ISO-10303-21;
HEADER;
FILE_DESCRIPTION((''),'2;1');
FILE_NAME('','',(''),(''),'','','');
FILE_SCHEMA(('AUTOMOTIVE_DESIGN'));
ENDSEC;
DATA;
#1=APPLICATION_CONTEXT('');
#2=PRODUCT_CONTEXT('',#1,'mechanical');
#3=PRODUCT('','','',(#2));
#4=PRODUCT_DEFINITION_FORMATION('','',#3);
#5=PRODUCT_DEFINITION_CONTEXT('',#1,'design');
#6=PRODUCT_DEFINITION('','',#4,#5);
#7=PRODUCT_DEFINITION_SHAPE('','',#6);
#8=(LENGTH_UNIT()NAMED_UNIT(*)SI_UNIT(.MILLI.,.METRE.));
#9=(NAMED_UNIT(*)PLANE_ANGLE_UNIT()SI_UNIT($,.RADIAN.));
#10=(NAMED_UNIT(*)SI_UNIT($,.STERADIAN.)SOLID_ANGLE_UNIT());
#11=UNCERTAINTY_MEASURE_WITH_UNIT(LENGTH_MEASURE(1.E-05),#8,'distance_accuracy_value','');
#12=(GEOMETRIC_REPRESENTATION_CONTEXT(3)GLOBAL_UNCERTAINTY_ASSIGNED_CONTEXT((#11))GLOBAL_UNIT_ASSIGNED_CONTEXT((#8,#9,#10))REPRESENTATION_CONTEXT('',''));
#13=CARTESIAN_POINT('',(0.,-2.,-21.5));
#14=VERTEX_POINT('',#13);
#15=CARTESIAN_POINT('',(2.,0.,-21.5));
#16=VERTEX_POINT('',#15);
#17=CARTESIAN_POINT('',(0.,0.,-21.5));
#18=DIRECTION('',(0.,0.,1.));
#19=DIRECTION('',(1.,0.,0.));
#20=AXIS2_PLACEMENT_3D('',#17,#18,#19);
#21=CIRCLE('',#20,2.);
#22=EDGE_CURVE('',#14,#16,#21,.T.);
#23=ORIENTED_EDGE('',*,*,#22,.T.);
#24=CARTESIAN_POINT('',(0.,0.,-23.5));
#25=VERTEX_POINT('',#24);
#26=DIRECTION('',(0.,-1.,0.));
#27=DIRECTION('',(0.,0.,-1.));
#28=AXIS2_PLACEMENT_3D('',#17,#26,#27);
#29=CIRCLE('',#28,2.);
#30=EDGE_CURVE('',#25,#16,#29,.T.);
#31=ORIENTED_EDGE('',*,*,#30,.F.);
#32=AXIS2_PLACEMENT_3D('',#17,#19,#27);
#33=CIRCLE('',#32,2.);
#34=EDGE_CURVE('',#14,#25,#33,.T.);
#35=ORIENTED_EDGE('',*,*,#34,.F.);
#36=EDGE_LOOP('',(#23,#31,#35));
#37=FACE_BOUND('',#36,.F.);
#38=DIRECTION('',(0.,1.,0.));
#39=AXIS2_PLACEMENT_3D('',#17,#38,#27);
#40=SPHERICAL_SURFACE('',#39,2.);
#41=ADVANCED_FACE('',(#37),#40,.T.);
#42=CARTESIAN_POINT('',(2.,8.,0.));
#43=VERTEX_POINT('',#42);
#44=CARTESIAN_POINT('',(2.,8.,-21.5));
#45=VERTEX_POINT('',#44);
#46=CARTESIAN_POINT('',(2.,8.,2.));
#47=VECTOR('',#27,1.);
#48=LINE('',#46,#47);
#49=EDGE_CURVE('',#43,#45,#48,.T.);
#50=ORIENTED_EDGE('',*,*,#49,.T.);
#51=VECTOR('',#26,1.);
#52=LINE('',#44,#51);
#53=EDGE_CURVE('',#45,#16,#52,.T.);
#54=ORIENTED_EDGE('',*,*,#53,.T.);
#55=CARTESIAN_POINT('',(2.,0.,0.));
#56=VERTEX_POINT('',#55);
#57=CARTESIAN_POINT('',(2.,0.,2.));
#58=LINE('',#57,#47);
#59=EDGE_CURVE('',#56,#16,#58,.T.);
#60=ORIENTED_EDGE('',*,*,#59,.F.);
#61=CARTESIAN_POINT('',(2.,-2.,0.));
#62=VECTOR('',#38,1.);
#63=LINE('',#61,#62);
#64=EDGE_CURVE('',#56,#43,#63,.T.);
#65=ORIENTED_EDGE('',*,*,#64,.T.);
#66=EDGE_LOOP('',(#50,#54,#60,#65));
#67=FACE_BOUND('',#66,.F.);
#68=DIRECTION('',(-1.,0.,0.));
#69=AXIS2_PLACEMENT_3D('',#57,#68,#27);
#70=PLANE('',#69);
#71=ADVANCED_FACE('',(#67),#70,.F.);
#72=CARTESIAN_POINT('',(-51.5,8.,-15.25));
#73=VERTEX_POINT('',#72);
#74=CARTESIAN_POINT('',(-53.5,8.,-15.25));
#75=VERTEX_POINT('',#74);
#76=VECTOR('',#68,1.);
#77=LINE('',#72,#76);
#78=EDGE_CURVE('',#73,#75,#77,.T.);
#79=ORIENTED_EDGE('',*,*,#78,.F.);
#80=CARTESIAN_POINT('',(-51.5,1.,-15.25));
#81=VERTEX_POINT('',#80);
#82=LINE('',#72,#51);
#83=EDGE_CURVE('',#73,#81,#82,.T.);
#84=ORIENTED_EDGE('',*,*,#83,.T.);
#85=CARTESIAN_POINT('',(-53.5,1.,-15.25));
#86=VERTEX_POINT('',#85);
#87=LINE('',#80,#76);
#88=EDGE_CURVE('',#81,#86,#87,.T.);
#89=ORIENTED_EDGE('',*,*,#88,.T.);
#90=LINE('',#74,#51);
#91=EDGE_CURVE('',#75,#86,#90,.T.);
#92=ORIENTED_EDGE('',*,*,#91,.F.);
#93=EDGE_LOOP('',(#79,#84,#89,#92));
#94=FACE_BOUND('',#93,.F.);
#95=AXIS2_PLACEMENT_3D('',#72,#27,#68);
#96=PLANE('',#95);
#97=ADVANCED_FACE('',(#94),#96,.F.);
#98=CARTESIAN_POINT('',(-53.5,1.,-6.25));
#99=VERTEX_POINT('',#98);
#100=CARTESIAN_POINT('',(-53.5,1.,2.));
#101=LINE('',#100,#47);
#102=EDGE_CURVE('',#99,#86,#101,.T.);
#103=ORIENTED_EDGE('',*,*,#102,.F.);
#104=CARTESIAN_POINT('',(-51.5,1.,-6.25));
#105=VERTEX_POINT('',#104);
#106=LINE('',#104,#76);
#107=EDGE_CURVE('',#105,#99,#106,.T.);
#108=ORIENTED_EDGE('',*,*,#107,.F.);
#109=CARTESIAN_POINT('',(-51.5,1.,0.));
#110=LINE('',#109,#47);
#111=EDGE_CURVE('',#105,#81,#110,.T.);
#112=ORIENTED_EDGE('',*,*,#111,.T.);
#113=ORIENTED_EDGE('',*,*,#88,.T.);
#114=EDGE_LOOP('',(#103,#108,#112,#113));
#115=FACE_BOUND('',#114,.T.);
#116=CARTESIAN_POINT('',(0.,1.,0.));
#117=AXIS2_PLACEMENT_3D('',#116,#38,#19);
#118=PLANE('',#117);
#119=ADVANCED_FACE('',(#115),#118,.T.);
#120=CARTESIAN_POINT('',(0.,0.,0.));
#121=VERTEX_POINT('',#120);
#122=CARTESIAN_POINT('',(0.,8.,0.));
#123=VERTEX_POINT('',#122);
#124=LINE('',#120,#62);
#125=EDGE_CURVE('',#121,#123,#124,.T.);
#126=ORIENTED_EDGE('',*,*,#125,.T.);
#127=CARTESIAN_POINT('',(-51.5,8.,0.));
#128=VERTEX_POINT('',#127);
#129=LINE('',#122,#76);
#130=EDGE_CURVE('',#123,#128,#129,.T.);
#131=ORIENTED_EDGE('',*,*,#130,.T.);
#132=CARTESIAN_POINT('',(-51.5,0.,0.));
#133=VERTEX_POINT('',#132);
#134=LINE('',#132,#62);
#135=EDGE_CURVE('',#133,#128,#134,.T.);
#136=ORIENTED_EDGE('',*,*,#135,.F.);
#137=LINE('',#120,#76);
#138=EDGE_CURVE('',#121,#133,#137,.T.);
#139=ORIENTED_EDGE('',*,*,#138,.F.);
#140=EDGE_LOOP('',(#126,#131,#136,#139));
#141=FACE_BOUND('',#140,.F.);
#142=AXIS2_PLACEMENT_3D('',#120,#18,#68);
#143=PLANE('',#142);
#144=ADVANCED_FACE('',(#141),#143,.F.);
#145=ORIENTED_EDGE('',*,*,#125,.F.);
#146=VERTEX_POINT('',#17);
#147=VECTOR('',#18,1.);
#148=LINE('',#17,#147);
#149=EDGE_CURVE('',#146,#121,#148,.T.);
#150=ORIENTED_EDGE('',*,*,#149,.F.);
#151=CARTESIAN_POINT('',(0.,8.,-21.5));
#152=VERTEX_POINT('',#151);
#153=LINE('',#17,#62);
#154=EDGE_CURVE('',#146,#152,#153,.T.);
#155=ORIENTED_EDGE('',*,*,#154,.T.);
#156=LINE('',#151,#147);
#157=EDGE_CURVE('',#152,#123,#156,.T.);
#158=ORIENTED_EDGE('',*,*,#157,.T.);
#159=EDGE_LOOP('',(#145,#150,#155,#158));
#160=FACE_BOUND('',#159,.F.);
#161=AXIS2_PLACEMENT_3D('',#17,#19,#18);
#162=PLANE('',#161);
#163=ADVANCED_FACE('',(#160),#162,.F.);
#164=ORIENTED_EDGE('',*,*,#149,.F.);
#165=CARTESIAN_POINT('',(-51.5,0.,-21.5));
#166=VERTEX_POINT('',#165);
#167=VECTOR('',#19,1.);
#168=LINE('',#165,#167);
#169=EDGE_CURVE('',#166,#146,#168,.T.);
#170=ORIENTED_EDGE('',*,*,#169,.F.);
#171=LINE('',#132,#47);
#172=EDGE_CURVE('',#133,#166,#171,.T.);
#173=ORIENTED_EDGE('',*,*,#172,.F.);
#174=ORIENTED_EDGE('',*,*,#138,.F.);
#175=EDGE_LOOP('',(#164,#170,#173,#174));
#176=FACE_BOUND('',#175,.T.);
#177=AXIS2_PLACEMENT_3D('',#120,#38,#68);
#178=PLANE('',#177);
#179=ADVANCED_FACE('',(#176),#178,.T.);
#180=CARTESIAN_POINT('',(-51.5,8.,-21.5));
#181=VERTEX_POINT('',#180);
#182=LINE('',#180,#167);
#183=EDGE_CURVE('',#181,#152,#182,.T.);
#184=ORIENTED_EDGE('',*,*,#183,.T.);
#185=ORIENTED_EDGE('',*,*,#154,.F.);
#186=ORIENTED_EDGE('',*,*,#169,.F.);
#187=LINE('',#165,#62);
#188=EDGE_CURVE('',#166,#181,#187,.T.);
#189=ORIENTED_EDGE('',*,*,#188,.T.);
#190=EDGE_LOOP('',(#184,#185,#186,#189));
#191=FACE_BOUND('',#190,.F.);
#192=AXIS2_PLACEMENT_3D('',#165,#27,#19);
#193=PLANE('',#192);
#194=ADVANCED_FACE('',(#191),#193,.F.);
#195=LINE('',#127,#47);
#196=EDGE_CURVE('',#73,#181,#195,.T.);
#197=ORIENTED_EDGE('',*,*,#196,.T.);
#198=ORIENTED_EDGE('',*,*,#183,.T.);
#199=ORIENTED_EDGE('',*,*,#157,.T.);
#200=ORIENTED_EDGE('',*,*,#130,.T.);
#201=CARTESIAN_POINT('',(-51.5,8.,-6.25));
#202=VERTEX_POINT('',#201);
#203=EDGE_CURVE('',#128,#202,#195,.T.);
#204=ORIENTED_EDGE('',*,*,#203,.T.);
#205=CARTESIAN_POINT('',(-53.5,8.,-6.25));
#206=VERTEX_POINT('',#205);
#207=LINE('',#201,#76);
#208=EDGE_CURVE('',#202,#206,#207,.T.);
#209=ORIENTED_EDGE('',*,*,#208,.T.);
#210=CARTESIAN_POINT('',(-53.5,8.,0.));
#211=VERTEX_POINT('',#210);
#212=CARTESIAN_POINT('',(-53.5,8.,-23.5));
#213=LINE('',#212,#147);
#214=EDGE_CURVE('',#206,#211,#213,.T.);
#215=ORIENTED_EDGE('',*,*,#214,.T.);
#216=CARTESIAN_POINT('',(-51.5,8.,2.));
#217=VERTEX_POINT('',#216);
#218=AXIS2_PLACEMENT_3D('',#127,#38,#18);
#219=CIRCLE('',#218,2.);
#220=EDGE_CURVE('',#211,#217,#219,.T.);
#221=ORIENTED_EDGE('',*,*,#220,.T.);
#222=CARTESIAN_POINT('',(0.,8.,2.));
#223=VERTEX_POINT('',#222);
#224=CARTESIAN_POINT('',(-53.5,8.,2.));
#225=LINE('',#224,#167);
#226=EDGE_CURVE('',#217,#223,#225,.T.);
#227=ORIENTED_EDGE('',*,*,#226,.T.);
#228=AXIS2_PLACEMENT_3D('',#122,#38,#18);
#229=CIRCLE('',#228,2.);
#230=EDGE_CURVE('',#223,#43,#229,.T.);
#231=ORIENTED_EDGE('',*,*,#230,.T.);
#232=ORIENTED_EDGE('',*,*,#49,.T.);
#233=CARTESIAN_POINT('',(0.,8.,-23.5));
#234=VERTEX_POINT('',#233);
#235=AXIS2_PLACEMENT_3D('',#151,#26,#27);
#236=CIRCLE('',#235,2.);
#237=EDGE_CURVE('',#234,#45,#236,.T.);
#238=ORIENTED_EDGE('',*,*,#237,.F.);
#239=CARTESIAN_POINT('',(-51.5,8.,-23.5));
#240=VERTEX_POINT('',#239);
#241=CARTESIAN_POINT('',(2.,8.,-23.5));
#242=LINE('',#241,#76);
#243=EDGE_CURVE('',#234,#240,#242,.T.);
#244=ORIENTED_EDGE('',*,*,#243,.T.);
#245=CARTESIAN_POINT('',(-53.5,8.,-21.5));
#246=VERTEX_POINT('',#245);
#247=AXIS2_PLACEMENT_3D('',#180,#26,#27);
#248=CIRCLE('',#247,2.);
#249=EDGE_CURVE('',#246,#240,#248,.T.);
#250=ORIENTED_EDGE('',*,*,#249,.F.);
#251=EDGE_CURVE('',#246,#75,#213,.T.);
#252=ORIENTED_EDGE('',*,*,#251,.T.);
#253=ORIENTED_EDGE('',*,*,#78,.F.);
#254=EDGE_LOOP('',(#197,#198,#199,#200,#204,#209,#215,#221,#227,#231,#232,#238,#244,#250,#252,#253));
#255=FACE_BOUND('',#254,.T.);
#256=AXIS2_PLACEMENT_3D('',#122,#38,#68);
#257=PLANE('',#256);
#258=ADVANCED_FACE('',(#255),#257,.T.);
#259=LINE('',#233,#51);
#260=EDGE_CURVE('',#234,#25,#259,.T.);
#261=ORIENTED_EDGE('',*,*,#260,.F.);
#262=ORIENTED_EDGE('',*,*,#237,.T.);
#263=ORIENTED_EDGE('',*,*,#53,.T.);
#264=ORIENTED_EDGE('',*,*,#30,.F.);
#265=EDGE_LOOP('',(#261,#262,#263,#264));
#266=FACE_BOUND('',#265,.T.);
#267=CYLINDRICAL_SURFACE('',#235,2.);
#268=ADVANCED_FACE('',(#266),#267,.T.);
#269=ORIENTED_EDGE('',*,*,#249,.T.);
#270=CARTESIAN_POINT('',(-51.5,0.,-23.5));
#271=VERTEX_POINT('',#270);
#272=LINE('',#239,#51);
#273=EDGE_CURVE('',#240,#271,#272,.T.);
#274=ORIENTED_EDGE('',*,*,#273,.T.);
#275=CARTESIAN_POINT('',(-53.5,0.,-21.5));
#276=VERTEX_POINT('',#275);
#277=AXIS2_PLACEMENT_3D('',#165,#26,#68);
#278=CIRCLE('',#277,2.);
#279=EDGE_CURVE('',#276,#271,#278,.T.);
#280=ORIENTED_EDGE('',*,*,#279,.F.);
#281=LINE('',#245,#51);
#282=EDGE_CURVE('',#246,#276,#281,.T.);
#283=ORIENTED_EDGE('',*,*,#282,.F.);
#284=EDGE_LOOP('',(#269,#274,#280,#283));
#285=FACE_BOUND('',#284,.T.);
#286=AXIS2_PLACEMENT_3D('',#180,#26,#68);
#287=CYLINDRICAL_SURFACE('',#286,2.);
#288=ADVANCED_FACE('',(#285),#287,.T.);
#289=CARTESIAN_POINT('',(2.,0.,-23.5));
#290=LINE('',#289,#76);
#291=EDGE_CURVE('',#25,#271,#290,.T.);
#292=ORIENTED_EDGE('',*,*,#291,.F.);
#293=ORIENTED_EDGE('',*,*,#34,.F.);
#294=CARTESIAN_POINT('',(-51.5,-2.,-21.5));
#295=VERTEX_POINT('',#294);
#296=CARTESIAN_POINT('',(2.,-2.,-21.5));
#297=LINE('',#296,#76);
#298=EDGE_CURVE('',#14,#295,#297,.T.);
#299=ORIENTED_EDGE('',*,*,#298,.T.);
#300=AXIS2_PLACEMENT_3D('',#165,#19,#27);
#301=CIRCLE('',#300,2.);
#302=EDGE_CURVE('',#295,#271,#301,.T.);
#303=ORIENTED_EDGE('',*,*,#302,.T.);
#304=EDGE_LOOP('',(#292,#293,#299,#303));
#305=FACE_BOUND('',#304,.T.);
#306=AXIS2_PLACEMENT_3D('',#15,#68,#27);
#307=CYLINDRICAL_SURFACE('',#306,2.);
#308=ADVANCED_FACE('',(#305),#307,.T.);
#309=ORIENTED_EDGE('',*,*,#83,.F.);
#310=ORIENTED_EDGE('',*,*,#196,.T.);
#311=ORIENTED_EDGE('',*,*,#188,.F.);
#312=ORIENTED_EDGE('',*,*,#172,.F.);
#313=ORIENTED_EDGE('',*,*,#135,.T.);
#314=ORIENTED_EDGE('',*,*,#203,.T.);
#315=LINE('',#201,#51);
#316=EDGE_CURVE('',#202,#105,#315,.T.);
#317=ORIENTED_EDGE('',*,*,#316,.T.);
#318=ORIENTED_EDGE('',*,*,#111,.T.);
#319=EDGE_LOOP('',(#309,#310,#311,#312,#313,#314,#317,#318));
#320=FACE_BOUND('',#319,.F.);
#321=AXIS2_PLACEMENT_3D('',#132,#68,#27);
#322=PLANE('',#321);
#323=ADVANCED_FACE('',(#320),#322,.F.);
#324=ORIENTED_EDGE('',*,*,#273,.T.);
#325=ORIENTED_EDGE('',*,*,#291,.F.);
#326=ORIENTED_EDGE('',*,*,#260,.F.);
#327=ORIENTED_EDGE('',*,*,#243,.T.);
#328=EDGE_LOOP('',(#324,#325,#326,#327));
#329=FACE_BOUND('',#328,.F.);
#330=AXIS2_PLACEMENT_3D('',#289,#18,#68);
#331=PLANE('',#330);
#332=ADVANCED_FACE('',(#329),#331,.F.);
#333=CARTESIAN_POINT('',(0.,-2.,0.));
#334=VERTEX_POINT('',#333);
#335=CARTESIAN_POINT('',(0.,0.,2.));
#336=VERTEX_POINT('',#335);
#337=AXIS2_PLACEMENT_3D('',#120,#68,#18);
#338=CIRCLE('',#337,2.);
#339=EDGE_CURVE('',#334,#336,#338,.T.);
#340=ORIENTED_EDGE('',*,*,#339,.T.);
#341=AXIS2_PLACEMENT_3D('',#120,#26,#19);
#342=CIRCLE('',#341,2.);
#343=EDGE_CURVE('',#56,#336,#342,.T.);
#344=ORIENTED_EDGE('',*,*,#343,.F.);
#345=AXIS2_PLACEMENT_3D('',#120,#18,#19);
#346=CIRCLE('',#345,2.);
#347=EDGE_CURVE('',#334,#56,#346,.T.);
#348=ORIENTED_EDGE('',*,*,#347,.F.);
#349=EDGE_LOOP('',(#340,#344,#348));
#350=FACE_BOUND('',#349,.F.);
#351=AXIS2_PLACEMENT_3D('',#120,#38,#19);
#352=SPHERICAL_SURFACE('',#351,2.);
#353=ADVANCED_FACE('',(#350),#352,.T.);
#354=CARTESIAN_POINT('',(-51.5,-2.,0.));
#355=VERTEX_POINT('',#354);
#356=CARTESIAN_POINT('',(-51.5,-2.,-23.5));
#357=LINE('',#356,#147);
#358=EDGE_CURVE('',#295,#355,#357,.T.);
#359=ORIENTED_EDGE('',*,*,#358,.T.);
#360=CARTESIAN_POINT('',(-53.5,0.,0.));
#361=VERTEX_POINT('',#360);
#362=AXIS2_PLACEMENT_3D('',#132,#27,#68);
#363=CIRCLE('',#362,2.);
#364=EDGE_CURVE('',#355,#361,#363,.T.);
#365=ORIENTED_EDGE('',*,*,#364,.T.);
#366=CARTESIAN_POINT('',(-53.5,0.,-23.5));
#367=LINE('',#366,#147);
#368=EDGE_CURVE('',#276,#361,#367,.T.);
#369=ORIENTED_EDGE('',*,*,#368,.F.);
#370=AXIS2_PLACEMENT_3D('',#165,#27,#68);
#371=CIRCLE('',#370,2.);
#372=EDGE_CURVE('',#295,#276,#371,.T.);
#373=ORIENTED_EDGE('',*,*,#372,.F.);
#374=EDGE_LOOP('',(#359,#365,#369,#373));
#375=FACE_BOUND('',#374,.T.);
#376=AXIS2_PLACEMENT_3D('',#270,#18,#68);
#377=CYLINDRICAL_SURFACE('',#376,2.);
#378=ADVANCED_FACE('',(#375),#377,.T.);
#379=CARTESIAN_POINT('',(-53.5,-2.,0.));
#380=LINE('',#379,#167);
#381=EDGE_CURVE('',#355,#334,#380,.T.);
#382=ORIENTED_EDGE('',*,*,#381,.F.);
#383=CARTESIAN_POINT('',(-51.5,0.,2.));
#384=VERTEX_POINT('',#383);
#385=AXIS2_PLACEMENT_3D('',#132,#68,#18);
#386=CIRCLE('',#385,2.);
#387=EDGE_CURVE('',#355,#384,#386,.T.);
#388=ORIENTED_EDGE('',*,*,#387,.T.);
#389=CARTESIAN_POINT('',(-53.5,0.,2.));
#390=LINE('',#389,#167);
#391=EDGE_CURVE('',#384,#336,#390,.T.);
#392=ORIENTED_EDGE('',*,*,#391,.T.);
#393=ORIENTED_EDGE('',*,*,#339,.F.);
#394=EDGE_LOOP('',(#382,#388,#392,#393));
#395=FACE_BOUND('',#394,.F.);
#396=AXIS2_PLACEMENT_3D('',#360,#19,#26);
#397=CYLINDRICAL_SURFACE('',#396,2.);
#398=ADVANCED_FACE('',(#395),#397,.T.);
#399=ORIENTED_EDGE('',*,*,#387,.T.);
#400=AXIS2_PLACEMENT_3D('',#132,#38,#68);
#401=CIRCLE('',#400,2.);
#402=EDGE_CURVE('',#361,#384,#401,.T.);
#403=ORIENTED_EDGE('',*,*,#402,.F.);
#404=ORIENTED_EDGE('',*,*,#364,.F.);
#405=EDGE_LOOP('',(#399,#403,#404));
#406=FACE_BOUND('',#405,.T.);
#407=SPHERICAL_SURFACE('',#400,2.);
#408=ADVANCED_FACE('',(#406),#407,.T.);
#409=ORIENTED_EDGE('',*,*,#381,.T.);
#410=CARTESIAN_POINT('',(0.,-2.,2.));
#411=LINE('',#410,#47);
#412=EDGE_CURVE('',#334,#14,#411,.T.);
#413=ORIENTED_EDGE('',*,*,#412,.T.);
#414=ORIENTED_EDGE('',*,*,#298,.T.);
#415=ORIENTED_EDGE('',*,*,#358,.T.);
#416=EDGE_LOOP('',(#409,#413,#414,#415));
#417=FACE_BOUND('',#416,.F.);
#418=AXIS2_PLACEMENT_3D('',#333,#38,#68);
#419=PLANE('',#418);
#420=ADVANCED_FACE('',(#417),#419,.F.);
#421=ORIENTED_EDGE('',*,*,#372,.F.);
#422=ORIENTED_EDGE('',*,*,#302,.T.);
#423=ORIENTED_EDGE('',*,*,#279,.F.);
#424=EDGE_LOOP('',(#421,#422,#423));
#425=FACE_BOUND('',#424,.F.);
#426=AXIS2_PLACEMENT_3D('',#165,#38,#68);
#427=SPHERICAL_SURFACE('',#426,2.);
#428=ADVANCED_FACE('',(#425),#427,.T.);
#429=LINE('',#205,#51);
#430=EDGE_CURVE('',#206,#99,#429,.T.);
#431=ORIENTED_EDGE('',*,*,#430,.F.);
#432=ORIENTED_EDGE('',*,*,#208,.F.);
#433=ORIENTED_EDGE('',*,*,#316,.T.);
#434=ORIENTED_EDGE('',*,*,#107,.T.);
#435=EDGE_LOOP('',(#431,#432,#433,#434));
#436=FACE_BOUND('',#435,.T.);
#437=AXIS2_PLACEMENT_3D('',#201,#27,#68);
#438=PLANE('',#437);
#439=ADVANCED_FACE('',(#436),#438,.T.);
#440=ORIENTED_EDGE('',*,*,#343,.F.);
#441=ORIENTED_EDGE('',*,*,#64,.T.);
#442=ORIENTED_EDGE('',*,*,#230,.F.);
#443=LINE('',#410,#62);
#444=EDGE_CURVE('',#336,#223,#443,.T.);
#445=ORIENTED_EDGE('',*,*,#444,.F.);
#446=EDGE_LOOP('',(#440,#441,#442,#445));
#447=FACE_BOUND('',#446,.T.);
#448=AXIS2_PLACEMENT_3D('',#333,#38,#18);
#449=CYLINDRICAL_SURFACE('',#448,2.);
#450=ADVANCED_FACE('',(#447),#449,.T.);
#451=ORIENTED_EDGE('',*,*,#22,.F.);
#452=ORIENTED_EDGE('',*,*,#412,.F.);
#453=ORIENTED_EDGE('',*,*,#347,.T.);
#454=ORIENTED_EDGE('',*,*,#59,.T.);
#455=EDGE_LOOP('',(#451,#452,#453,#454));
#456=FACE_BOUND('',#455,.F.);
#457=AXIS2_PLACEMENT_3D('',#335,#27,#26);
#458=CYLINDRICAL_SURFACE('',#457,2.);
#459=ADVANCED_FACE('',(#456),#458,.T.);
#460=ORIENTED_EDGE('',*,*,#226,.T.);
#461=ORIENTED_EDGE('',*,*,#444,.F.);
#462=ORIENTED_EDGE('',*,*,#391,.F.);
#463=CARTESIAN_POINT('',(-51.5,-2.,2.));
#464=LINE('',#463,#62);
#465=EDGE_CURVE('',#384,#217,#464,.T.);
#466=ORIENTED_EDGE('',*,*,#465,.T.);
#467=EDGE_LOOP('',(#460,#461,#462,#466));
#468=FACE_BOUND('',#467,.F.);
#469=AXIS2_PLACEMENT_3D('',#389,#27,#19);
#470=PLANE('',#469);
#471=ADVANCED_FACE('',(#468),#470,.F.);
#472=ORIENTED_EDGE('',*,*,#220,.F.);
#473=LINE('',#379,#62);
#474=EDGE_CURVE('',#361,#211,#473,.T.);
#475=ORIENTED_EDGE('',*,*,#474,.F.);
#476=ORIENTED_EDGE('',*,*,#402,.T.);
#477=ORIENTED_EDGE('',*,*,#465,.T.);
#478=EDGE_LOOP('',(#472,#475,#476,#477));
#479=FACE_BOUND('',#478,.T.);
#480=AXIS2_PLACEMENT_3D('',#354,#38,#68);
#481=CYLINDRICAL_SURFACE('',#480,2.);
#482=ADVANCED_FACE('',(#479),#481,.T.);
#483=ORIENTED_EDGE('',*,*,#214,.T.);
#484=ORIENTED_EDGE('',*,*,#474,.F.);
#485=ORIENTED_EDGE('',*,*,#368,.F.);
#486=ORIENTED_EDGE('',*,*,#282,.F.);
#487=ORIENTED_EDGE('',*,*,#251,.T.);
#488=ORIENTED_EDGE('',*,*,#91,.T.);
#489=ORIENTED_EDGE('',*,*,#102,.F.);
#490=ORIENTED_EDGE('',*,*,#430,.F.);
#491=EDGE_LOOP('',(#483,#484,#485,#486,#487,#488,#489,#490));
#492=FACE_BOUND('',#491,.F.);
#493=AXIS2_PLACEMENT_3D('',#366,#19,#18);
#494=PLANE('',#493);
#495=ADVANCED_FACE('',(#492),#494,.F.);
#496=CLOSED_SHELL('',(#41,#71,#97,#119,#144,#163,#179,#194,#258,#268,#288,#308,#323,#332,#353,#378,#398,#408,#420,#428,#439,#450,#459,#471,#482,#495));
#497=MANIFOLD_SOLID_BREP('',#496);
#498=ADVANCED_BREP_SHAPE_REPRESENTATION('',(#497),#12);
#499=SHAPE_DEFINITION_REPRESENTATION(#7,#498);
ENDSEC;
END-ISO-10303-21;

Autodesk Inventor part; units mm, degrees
ref_plane "YZ Plane" through (0, 0, 0) normal (1, 0, 0) x (0, 1, 0)
ref_plane "XZ Plane" through (0, 0, 0) normal (0, 1, 0) x (-1, 0, 0)
ref_plane "XY Plane" through (0, 0, 0) normal (0, 0, 1) x (1, 0, 0)
sketch "Sketch1" plane through (0, 0, 0) normal (0, 1, 0) x (-1, 0, 0)
  line L0 (0, 0) -> (51.5, 0)
  line L1 (51.5, 0) -> (51.5, -21.5)
  line L2 (51.5, -21.5) -> (0, -21.5)
  line L3 (0, -21.5) -> (0, 0)
  line L4 (53.5, 2) -> (-2, 2)
  line L5 (-2, 2) -> (-2, -23.5)
  line L6 (-2, -23.5) -> (53.5, -23.5)
  line L7 (53.5, -23.5) -> (53.5, 2)
  point P0 (49.5, -10.75)
  dimension "d0" = 51.5
  dimension "d1" = 21.5
  dimension "d2" = 2
  dimension "d3" = 2
  dimension "d4" = 2
  dimension "d5" = 2
extrude "Extrusion2" add sketch "Sketch1" against normal blind 2 contours L0 L1 L2 L3 | L7 L6 L5 L4
extrude "Extrusion3" add sketch "Sketch1" along normal blind 8
sketch "Sketch2" plane through (0, 8, 0) normal (0, 1, 0) x (1, 0, 0)
  line L0 (-51.5, 6.25) -> (-51.5, 15.25) construction
  line L1 (-51.5, 0) -> (-51.5, 21.5) projected
  line L2 (-51.5, 6.25) -> (-53.5, 6.25)
  line L3 (-53.5, -2) -> (-53.5, 23.5) projected
  line L4 (-51.5, 15.25) -> (-53.5, 15.25)
  point P0 (0, 0)
  point P1 (-51.5, 10.75)
  dimension "d20" = 9
extrude "Extrusion4" cut sketch "Sketch2" against normal blind 7
fillet "Fillet1" radius 2 8 edges at (2, 3, 2) (2, 3, -23.5) (-53.5, 3, 2) (-53.5, 3, -23.5) (-53.5, -2, -10.75) (-25.75, -2, -23.5) (2, -2, -10.75) (-25.75, -2, 2)
equation "\"d2\" = d4"
equation "\"d3\" = d4"
equation "\"d5\" = d4"
properties part number "case pico"
